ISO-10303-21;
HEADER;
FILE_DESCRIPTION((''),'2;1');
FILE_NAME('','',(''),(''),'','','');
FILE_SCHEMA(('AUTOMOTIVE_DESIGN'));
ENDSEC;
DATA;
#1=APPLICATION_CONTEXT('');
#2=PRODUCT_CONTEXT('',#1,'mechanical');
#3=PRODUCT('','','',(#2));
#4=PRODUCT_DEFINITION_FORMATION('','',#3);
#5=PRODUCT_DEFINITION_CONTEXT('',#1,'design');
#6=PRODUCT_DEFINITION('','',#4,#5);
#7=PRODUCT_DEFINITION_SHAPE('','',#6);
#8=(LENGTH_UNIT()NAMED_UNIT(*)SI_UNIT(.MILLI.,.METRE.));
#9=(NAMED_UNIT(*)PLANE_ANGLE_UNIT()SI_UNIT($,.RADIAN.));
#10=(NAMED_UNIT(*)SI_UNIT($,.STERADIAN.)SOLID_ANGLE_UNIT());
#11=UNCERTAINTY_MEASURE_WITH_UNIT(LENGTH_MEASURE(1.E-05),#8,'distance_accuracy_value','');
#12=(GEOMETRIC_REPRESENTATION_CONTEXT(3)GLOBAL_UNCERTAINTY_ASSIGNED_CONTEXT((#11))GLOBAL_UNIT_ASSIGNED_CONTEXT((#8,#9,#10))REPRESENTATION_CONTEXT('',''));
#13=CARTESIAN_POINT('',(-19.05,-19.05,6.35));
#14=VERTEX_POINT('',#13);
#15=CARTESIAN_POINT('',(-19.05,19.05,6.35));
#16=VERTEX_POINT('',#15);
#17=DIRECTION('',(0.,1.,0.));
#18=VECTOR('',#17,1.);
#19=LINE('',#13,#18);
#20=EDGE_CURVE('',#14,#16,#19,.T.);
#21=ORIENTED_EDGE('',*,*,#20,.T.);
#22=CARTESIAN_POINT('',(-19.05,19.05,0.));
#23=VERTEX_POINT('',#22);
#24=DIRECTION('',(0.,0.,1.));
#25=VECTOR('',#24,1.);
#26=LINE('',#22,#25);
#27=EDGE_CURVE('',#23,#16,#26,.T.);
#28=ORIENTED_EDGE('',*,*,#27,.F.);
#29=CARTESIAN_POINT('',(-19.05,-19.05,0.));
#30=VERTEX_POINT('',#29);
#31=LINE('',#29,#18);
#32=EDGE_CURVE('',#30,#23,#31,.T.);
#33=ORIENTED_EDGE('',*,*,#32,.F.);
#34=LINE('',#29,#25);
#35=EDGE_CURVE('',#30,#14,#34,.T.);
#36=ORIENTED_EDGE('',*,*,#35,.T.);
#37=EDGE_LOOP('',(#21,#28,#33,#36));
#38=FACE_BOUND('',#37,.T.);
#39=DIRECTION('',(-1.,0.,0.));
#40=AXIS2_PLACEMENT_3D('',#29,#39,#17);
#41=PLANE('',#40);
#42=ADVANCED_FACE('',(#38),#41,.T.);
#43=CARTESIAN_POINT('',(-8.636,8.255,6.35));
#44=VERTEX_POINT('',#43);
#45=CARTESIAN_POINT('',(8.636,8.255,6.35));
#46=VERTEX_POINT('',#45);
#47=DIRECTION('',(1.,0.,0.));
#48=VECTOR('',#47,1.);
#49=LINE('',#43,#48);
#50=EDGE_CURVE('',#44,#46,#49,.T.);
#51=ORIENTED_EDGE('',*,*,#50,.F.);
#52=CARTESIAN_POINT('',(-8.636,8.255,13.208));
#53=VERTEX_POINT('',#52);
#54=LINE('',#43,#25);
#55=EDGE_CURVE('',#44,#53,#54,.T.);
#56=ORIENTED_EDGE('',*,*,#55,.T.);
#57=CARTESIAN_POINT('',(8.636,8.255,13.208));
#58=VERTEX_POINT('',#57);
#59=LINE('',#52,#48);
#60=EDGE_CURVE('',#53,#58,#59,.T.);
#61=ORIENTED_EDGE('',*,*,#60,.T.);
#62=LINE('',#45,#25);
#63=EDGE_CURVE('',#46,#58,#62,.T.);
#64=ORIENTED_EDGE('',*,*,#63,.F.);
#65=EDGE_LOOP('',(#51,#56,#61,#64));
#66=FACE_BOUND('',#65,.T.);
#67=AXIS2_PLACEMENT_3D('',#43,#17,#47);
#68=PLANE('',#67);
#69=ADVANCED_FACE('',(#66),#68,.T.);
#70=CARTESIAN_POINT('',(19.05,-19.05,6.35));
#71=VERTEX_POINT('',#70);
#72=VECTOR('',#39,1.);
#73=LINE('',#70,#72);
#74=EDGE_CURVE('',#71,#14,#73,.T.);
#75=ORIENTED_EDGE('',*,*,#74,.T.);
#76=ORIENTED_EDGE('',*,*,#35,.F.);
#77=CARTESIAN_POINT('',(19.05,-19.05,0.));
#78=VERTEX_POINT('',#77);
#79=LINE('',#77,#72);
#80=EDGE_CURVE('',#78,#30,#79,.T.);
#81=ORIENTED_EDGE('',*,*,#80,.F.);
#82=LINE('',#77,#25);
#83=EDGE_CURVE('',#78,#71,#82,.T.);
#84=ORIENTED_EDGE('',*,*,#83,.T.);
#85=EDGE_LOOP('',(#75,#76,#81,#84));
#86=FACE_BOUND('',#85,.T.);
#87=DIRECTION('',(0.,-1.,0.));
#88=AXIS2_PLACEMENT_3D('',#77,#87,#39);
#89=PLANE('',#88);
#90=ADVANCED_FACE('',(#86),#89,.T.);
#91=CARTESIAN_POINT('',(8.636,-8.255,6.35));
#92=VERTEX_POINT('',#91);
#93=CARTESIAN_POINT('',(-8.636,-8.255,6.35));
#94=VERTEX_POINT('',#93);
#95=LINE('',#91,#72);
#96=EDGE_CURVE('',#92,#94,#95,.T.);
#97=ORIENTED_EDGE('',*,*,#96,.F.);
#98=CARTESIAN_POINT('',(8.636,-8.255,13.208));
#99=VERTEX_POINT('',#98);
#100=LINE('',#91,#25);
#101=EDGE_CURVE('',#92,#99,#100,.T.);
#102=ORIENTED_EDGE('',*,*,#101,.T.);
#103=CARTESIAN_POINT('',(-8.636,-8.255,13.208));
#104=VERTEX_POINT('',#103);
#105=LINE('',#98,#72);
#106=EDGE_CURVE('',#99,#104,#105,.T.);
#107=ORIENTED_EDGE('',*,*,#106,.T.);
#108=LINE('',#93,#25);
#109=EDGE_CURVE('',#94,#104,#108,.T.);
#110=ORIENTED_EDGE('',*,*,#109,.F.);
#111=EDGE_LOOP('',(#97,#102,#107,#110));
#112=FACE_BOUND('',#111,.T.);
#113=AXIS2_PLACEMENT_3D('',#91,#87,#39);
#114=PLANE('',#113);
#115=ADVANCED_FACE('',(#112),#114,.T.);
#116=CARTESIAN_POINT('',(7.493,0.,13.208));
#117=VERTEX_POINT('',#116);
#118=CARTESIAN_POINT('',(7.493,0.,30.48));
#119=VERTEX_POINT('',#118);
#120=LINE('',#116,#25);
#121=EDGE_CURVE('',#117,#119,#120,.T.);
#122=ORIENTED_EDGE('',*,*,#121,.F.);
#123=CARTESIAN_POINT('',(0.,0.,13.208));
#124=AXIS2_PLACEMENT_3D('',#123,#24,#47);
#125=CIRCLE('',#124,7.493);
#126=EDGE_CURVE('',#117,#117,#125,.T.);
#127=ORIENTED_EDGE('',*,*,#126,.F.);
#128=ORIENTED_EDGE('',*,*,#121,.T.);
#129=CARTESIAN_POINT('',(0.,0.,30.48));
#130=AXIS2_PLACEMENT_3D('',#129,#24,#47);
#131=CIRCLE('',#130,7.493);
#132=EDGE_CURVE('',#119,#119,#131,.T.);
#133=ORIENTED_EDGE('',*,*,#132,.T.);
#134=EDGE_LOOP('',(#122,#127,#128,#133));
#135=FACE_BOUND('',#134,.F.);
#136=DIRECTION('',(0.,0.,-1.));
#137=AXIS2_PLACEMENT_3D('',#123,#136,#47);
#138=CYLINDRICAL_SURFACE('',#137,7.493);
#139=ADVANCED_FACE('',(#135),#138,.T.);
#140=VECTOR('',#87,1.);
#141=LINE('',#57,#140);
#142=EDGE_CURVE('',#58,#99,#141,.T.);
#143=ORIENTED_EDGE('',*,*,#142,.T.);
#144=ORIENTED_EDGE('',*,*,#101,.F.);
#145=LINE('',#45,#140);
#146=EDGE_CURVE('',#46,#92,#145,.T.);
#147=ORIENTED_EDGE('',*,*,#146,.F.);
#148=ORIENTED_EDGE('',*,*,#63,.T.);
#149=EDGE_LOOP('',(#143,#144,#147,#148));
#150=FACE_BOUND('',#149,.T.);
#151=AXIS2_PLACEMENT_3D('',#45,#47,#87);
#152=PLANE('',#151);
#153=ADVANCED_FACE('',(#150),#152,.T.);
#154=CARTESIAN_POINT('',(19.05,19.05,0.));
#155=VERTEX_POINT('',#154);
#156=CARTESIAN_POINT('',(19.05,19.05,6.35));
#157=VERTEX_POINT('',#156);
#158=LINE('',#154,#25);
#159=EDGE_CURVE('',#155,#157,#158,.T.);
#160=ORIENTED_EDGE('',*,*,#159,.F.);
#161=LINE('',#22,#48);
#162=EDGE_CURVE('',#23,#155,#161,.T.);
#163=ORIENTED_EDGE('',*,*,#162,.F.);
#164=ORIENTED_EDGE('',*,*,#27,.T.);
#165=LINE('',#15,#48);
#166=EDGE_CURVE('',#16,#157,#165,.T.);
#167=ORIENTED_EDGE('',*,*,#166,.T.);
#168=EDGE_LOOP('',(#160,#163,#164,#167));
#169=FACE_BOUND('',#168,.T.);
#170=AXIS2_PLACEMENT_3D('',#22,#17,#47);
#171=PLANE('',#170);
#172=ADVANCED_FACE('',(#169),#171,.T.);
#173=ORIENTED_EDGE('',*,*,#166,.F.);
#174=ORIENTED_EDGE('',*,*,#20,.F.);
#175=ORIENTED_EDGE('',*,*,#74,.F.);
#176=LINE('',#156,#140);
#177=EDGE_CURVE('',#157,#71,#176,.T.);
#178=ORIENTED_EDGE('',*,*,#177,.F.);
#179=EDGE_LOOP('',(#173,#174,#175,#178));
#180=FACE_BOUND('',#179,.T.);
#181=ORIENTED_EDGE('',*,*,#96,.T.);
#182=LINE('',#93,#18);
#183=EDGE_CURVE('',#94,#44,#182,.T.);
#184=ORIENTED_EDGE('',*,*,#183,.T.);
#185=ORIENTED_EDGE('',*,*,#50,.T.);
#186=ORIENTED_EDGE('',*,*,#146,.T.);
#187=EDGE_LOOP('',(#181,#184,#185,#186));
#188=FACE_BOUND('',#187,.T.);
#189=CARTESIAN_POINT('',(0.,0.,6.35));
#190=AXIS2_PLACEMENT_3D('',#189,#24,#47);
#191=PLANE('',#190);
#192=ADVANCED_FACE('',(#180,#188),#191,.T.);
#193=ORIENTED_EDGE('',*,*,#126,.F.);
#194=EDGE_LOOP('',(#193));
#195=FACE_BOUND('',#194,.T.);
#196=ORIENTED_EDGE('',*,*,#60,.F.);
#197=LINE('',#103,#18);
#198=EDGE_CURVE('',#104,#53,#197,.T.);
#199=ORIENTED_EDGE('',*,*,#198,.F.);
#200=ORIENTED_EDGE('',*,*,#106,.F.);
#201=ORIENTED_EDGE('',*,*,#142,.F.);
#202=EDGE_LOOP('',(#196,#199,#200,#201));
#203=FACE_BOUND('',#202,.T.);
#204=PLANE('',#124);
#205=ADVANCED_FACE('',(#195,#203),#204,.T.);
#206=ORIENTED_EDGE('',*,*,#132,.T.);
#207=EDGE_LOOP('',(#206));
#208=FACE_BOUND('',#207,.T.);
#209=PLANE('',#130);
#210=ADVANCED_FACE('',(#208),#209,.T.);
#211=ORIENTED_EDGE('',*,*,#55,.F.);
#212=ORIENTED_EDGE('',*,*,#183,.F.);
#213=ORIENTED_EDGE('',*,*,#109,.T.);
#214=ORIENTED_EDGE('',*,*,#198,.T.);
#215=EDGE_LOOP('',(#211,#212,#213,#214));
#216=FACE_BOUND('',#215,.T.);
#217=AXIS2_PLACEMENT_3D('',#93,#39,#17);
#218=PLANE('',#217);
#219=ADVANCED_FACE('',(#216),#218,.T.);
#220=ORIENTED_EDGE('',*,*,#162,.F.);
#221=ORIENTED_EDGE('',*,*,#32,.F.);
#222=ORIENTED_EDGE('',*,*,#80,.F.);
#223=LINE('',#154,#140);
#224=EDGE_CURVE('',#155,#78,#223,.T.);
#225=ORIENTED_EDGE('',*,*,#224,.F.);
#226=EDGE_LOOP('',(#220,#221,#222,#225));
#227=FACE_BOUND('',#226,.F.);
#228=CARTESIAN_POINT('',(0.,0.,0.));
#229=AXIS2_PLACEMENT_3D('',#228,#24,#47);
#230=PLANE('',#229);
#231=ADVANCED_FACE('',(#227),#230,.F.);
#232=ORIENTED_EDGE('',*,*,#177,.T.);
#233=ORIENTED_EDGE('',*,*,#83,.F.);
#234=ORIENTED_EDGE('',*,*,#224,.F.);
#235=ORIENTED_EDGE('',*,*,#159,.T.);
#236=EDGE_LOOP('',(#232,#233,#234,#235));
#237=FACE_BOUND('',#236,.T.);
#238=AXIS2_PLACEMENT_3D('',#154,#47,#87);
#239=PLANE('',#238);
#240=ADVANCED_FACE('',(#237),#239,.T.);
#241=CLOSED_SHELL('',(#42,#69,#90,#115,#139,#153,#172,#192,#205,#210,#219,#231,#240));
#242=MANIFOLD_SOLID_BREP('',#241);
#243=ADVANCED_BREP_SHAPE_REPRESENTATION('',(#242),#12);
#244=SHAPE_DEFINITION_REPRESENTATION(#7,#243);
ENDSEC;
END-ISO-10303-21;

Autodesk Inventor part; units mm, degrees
ref_plane "YZ Plane" through (0, 0, 0) normal (1, 0, 0) x (0, 1, 0)
ref_plane "XZ Plane" through (0, 0, 0) normal (0, 1, 0) x (-1, 0, 0)
ref_plane "XY Plane" through (0, 0, 0) normal (0, 0, 1) x (1, 0, 0)
sketch "Sketch1" plane through (0, 0, 0) normal (0, 0, 1) x (1, 0, 0)
  line L0 (19.05, -19.05) -> (-19.05, -19.05)
  line L1 (-19.05, -19.05) -> (-19.05, 19.05)
  line L2 (-19.05, 19.05) -> (19.05, 19.05)
  line L3 (19.05, 19.05) -> (19.05, -19.05)
  point P0 (0, 0)
  point P1 (-19.05, 0)
  point P2 (0, 19.05)
  dimension "d0" = 38.1
  dimension "d1" = 38.1
extrude "Extrusion1" add sketch "Sketch1" along normal blind 6.35
sketch "Sketch2" plane through (0, 0, 6.35) normal (0, 0, 1) x (1, 0, 0)
  line L0 (-19.05, -19.05) -> (-19.05, 19.05) projected
  line L1 (-19.05, 19.05) -> (19.05, 19.05) projected
  line L2 (8.636, -8.255) -> (-8.636, -8.255)
  line L3 (-8.636, -8.255) -> (-8.636, 8.255)
  line L4 (-8.636, 8.255) -> (8.636, 8.255)
  line L5 (8.636, 8.255) -> (8.636, -8.255)
  point P0 (0, 0)
  point P1 (0, 8.255)
  point P2 (0, 19.05)
  point P3 (-8.636, 0)
  point P4 (-19.05, 0)
  dimension "d4" = 17.272
  dimension "d5" = 16.51
extrude "Extrusion2" add sketch "Sketch2" along normal blind 6.858
sketch "Sketch3" plane through (0, 0, 13.208) normal (0, 0, 1) x (1, 0, 0)
  circle A0 centre (0, 0) radius 7.493
  point P0 (0, 0)
  dimension "d8" = 14.986
extrude "Extrusion3" add sketch "Sketch3" along normal blind 17.272
properties part number "Camera - SONY CCD"
